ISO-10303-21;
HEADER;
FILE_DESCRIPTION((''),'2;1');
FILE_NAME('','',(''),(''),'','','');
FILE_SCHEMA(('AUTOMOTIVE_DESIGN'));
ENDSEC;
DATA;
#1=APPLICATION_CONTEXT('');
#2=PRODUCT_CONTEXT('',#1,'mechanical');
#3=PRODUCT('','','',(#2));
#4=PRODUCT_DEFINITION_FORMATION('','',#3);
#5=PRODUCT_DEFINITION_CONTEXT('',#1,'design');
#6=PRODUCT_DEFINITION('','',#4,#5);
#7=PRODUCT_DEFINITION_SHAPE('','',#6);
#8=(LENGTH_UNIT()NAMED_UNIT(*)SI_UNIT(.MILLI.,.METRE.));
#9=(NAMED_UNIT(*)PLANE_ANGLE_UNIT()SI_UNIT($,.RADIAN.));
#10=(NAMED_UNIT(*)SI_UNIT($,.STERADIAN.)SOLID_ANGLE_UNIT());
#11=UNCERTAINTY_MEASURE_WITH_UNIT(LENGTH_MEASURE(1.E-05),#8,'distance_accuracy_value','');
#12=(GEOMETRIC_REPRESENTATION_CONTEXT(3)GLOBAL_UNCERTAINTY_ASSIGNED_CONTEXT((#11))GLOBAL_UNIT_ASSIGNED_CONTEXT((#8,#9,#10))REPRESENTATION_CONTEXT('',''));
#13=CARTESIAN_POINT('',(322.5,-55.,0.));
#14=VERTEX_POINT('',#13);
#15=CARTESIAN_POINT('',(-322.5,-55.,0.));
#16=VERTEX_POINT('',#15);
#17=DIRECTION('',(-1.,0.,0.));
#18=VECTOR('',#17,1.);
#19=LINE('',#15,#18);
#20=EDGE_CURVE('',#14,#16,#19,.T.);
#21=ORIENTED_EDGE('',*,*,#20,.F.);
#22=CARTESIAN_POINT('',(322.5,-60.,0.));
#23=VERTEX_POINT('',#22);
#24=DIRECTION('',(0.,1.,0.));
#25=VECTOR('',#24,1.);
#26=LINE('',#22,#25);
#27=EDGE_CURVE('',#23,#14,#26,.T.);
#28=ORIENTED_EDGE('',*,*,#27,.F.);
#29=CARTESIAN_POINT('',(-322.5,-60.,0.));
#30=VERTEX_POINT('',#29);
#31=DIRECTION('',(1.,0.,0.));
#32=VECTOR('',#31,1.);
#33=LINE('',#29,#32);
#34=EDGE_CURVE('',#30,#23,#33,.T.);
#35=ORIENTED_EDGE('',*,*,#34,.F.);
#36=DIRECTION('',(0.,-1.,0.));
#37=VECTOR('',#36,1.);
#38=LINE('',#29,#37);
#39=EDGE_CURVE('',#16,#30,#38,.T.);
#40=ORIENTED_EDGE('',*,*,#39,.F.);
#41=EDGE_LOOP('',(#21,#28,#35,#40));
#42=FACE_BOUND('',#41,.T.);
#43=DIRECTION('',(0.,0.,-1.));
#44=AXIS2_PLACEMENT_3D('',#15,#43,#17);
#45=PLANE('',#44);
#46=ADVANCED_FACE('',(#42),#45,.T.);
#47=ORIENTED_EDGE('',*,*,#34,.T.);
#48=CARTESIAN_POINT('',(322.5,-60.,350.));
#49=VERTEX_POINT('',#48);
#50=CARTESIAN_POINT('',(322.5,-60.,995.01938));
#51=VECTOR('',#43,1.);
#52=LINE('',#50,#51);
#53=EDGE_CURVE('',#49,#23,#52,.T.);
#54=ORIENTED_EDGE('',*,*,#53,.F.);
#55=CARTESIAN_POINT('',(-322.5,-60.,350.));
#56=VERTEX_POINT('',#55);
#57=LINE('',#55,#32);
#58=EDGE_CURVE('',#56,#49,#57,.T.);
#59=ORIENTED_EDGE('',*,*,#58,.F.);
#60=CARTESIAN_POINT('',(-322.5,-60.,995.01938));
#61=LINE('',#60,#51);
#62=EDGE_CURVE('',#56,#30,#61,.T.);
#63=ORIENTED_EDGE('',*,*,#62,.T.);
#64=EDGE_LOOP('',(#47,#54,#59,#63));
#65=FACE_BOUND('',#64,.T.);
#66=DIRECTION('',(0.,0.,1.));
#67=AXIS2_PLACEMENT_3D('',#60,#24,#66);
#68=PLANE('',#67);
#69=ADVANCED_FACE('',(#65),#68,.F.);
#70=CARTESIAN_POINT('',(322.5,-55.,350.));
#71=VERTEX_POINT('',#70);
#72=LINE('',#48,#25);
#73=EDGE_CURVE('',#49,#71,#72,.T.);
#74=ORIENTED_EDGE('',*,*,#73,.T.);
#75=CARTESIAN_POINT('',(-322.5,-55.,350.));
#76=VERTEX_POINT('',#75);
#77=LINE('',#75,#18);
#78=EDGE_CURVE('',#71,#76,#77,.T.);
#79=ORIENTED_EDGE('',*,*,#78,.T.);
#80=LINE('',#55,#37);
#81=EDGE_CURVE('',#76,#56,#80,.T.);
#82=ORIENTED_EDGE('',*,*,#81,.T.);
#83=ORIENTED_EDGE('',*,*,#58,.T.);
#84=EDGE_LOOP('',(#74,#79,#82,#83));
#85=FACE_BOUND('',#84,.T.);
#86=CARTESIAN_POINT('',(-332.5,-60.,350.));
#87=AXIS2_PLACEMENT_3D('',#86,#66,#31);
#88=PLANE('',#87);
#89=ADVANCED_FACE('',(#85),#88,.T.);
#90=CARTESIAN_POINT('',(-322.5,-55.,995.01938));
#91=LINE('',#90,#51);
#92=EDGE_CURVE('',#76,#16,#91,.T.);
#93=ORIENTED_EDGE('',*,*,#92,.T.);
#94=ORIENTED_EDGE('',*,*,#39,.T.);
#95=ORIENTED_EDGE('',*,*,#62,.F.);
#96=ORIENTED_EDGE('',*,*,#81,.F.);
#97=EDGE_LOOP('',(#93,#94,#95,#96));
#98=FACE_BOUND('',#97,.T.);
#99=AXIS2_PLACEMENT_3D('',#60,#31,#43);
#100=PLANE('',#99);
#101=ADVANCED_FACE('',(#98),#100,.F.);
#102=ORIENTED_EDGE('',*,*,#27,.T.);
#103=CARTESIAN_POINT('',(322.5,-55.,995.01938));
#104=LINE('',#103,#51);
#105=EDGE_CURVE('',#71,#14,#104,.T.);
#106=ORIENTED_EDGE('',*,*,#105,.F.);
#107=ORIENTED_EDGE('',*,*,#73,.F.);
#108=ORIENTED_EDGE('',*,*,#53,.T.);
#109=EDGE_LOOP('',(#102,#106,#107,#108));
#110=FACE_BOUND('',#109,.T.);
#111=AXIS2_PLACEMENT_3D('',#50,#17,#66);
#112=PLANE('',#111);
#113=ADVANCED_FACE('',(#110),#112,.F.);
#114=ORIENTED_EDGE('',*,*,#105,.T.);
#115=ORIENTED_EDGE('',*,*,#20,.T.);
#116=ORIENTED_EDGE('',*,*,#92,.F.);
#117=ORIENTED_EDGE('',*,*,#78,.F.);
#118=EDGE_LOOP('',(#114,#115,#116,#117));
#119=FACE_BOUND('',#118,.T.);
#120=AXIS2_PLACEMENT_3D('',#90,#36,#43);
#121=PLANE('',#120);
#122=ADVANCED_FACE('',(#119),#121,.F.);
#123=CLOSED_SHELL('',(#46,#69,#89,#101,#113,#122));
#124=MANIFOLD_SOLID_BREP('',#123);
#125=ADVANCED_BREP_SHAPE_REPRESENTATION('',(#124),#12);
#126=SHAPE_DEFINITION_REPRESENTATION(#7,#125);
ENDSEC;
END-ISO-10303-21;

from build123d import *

# Parameters (mm, degrees)
SKETCH1_W          = 645
SKETCH1_H          = 5
BASE_EXTRUDE_DEPTH = 350


with BuildPart() as part:
    # Sketch1 → Base-Extrude (new body)
    with BuildSketch(Plane.XY):
        with Locations((0, -57.5)):
            Rectangle(SKETCH1_W, SKETCH1_H)
    extrude(amount=BASE_EXTRUDE_DEPTH)


solid = part.part
